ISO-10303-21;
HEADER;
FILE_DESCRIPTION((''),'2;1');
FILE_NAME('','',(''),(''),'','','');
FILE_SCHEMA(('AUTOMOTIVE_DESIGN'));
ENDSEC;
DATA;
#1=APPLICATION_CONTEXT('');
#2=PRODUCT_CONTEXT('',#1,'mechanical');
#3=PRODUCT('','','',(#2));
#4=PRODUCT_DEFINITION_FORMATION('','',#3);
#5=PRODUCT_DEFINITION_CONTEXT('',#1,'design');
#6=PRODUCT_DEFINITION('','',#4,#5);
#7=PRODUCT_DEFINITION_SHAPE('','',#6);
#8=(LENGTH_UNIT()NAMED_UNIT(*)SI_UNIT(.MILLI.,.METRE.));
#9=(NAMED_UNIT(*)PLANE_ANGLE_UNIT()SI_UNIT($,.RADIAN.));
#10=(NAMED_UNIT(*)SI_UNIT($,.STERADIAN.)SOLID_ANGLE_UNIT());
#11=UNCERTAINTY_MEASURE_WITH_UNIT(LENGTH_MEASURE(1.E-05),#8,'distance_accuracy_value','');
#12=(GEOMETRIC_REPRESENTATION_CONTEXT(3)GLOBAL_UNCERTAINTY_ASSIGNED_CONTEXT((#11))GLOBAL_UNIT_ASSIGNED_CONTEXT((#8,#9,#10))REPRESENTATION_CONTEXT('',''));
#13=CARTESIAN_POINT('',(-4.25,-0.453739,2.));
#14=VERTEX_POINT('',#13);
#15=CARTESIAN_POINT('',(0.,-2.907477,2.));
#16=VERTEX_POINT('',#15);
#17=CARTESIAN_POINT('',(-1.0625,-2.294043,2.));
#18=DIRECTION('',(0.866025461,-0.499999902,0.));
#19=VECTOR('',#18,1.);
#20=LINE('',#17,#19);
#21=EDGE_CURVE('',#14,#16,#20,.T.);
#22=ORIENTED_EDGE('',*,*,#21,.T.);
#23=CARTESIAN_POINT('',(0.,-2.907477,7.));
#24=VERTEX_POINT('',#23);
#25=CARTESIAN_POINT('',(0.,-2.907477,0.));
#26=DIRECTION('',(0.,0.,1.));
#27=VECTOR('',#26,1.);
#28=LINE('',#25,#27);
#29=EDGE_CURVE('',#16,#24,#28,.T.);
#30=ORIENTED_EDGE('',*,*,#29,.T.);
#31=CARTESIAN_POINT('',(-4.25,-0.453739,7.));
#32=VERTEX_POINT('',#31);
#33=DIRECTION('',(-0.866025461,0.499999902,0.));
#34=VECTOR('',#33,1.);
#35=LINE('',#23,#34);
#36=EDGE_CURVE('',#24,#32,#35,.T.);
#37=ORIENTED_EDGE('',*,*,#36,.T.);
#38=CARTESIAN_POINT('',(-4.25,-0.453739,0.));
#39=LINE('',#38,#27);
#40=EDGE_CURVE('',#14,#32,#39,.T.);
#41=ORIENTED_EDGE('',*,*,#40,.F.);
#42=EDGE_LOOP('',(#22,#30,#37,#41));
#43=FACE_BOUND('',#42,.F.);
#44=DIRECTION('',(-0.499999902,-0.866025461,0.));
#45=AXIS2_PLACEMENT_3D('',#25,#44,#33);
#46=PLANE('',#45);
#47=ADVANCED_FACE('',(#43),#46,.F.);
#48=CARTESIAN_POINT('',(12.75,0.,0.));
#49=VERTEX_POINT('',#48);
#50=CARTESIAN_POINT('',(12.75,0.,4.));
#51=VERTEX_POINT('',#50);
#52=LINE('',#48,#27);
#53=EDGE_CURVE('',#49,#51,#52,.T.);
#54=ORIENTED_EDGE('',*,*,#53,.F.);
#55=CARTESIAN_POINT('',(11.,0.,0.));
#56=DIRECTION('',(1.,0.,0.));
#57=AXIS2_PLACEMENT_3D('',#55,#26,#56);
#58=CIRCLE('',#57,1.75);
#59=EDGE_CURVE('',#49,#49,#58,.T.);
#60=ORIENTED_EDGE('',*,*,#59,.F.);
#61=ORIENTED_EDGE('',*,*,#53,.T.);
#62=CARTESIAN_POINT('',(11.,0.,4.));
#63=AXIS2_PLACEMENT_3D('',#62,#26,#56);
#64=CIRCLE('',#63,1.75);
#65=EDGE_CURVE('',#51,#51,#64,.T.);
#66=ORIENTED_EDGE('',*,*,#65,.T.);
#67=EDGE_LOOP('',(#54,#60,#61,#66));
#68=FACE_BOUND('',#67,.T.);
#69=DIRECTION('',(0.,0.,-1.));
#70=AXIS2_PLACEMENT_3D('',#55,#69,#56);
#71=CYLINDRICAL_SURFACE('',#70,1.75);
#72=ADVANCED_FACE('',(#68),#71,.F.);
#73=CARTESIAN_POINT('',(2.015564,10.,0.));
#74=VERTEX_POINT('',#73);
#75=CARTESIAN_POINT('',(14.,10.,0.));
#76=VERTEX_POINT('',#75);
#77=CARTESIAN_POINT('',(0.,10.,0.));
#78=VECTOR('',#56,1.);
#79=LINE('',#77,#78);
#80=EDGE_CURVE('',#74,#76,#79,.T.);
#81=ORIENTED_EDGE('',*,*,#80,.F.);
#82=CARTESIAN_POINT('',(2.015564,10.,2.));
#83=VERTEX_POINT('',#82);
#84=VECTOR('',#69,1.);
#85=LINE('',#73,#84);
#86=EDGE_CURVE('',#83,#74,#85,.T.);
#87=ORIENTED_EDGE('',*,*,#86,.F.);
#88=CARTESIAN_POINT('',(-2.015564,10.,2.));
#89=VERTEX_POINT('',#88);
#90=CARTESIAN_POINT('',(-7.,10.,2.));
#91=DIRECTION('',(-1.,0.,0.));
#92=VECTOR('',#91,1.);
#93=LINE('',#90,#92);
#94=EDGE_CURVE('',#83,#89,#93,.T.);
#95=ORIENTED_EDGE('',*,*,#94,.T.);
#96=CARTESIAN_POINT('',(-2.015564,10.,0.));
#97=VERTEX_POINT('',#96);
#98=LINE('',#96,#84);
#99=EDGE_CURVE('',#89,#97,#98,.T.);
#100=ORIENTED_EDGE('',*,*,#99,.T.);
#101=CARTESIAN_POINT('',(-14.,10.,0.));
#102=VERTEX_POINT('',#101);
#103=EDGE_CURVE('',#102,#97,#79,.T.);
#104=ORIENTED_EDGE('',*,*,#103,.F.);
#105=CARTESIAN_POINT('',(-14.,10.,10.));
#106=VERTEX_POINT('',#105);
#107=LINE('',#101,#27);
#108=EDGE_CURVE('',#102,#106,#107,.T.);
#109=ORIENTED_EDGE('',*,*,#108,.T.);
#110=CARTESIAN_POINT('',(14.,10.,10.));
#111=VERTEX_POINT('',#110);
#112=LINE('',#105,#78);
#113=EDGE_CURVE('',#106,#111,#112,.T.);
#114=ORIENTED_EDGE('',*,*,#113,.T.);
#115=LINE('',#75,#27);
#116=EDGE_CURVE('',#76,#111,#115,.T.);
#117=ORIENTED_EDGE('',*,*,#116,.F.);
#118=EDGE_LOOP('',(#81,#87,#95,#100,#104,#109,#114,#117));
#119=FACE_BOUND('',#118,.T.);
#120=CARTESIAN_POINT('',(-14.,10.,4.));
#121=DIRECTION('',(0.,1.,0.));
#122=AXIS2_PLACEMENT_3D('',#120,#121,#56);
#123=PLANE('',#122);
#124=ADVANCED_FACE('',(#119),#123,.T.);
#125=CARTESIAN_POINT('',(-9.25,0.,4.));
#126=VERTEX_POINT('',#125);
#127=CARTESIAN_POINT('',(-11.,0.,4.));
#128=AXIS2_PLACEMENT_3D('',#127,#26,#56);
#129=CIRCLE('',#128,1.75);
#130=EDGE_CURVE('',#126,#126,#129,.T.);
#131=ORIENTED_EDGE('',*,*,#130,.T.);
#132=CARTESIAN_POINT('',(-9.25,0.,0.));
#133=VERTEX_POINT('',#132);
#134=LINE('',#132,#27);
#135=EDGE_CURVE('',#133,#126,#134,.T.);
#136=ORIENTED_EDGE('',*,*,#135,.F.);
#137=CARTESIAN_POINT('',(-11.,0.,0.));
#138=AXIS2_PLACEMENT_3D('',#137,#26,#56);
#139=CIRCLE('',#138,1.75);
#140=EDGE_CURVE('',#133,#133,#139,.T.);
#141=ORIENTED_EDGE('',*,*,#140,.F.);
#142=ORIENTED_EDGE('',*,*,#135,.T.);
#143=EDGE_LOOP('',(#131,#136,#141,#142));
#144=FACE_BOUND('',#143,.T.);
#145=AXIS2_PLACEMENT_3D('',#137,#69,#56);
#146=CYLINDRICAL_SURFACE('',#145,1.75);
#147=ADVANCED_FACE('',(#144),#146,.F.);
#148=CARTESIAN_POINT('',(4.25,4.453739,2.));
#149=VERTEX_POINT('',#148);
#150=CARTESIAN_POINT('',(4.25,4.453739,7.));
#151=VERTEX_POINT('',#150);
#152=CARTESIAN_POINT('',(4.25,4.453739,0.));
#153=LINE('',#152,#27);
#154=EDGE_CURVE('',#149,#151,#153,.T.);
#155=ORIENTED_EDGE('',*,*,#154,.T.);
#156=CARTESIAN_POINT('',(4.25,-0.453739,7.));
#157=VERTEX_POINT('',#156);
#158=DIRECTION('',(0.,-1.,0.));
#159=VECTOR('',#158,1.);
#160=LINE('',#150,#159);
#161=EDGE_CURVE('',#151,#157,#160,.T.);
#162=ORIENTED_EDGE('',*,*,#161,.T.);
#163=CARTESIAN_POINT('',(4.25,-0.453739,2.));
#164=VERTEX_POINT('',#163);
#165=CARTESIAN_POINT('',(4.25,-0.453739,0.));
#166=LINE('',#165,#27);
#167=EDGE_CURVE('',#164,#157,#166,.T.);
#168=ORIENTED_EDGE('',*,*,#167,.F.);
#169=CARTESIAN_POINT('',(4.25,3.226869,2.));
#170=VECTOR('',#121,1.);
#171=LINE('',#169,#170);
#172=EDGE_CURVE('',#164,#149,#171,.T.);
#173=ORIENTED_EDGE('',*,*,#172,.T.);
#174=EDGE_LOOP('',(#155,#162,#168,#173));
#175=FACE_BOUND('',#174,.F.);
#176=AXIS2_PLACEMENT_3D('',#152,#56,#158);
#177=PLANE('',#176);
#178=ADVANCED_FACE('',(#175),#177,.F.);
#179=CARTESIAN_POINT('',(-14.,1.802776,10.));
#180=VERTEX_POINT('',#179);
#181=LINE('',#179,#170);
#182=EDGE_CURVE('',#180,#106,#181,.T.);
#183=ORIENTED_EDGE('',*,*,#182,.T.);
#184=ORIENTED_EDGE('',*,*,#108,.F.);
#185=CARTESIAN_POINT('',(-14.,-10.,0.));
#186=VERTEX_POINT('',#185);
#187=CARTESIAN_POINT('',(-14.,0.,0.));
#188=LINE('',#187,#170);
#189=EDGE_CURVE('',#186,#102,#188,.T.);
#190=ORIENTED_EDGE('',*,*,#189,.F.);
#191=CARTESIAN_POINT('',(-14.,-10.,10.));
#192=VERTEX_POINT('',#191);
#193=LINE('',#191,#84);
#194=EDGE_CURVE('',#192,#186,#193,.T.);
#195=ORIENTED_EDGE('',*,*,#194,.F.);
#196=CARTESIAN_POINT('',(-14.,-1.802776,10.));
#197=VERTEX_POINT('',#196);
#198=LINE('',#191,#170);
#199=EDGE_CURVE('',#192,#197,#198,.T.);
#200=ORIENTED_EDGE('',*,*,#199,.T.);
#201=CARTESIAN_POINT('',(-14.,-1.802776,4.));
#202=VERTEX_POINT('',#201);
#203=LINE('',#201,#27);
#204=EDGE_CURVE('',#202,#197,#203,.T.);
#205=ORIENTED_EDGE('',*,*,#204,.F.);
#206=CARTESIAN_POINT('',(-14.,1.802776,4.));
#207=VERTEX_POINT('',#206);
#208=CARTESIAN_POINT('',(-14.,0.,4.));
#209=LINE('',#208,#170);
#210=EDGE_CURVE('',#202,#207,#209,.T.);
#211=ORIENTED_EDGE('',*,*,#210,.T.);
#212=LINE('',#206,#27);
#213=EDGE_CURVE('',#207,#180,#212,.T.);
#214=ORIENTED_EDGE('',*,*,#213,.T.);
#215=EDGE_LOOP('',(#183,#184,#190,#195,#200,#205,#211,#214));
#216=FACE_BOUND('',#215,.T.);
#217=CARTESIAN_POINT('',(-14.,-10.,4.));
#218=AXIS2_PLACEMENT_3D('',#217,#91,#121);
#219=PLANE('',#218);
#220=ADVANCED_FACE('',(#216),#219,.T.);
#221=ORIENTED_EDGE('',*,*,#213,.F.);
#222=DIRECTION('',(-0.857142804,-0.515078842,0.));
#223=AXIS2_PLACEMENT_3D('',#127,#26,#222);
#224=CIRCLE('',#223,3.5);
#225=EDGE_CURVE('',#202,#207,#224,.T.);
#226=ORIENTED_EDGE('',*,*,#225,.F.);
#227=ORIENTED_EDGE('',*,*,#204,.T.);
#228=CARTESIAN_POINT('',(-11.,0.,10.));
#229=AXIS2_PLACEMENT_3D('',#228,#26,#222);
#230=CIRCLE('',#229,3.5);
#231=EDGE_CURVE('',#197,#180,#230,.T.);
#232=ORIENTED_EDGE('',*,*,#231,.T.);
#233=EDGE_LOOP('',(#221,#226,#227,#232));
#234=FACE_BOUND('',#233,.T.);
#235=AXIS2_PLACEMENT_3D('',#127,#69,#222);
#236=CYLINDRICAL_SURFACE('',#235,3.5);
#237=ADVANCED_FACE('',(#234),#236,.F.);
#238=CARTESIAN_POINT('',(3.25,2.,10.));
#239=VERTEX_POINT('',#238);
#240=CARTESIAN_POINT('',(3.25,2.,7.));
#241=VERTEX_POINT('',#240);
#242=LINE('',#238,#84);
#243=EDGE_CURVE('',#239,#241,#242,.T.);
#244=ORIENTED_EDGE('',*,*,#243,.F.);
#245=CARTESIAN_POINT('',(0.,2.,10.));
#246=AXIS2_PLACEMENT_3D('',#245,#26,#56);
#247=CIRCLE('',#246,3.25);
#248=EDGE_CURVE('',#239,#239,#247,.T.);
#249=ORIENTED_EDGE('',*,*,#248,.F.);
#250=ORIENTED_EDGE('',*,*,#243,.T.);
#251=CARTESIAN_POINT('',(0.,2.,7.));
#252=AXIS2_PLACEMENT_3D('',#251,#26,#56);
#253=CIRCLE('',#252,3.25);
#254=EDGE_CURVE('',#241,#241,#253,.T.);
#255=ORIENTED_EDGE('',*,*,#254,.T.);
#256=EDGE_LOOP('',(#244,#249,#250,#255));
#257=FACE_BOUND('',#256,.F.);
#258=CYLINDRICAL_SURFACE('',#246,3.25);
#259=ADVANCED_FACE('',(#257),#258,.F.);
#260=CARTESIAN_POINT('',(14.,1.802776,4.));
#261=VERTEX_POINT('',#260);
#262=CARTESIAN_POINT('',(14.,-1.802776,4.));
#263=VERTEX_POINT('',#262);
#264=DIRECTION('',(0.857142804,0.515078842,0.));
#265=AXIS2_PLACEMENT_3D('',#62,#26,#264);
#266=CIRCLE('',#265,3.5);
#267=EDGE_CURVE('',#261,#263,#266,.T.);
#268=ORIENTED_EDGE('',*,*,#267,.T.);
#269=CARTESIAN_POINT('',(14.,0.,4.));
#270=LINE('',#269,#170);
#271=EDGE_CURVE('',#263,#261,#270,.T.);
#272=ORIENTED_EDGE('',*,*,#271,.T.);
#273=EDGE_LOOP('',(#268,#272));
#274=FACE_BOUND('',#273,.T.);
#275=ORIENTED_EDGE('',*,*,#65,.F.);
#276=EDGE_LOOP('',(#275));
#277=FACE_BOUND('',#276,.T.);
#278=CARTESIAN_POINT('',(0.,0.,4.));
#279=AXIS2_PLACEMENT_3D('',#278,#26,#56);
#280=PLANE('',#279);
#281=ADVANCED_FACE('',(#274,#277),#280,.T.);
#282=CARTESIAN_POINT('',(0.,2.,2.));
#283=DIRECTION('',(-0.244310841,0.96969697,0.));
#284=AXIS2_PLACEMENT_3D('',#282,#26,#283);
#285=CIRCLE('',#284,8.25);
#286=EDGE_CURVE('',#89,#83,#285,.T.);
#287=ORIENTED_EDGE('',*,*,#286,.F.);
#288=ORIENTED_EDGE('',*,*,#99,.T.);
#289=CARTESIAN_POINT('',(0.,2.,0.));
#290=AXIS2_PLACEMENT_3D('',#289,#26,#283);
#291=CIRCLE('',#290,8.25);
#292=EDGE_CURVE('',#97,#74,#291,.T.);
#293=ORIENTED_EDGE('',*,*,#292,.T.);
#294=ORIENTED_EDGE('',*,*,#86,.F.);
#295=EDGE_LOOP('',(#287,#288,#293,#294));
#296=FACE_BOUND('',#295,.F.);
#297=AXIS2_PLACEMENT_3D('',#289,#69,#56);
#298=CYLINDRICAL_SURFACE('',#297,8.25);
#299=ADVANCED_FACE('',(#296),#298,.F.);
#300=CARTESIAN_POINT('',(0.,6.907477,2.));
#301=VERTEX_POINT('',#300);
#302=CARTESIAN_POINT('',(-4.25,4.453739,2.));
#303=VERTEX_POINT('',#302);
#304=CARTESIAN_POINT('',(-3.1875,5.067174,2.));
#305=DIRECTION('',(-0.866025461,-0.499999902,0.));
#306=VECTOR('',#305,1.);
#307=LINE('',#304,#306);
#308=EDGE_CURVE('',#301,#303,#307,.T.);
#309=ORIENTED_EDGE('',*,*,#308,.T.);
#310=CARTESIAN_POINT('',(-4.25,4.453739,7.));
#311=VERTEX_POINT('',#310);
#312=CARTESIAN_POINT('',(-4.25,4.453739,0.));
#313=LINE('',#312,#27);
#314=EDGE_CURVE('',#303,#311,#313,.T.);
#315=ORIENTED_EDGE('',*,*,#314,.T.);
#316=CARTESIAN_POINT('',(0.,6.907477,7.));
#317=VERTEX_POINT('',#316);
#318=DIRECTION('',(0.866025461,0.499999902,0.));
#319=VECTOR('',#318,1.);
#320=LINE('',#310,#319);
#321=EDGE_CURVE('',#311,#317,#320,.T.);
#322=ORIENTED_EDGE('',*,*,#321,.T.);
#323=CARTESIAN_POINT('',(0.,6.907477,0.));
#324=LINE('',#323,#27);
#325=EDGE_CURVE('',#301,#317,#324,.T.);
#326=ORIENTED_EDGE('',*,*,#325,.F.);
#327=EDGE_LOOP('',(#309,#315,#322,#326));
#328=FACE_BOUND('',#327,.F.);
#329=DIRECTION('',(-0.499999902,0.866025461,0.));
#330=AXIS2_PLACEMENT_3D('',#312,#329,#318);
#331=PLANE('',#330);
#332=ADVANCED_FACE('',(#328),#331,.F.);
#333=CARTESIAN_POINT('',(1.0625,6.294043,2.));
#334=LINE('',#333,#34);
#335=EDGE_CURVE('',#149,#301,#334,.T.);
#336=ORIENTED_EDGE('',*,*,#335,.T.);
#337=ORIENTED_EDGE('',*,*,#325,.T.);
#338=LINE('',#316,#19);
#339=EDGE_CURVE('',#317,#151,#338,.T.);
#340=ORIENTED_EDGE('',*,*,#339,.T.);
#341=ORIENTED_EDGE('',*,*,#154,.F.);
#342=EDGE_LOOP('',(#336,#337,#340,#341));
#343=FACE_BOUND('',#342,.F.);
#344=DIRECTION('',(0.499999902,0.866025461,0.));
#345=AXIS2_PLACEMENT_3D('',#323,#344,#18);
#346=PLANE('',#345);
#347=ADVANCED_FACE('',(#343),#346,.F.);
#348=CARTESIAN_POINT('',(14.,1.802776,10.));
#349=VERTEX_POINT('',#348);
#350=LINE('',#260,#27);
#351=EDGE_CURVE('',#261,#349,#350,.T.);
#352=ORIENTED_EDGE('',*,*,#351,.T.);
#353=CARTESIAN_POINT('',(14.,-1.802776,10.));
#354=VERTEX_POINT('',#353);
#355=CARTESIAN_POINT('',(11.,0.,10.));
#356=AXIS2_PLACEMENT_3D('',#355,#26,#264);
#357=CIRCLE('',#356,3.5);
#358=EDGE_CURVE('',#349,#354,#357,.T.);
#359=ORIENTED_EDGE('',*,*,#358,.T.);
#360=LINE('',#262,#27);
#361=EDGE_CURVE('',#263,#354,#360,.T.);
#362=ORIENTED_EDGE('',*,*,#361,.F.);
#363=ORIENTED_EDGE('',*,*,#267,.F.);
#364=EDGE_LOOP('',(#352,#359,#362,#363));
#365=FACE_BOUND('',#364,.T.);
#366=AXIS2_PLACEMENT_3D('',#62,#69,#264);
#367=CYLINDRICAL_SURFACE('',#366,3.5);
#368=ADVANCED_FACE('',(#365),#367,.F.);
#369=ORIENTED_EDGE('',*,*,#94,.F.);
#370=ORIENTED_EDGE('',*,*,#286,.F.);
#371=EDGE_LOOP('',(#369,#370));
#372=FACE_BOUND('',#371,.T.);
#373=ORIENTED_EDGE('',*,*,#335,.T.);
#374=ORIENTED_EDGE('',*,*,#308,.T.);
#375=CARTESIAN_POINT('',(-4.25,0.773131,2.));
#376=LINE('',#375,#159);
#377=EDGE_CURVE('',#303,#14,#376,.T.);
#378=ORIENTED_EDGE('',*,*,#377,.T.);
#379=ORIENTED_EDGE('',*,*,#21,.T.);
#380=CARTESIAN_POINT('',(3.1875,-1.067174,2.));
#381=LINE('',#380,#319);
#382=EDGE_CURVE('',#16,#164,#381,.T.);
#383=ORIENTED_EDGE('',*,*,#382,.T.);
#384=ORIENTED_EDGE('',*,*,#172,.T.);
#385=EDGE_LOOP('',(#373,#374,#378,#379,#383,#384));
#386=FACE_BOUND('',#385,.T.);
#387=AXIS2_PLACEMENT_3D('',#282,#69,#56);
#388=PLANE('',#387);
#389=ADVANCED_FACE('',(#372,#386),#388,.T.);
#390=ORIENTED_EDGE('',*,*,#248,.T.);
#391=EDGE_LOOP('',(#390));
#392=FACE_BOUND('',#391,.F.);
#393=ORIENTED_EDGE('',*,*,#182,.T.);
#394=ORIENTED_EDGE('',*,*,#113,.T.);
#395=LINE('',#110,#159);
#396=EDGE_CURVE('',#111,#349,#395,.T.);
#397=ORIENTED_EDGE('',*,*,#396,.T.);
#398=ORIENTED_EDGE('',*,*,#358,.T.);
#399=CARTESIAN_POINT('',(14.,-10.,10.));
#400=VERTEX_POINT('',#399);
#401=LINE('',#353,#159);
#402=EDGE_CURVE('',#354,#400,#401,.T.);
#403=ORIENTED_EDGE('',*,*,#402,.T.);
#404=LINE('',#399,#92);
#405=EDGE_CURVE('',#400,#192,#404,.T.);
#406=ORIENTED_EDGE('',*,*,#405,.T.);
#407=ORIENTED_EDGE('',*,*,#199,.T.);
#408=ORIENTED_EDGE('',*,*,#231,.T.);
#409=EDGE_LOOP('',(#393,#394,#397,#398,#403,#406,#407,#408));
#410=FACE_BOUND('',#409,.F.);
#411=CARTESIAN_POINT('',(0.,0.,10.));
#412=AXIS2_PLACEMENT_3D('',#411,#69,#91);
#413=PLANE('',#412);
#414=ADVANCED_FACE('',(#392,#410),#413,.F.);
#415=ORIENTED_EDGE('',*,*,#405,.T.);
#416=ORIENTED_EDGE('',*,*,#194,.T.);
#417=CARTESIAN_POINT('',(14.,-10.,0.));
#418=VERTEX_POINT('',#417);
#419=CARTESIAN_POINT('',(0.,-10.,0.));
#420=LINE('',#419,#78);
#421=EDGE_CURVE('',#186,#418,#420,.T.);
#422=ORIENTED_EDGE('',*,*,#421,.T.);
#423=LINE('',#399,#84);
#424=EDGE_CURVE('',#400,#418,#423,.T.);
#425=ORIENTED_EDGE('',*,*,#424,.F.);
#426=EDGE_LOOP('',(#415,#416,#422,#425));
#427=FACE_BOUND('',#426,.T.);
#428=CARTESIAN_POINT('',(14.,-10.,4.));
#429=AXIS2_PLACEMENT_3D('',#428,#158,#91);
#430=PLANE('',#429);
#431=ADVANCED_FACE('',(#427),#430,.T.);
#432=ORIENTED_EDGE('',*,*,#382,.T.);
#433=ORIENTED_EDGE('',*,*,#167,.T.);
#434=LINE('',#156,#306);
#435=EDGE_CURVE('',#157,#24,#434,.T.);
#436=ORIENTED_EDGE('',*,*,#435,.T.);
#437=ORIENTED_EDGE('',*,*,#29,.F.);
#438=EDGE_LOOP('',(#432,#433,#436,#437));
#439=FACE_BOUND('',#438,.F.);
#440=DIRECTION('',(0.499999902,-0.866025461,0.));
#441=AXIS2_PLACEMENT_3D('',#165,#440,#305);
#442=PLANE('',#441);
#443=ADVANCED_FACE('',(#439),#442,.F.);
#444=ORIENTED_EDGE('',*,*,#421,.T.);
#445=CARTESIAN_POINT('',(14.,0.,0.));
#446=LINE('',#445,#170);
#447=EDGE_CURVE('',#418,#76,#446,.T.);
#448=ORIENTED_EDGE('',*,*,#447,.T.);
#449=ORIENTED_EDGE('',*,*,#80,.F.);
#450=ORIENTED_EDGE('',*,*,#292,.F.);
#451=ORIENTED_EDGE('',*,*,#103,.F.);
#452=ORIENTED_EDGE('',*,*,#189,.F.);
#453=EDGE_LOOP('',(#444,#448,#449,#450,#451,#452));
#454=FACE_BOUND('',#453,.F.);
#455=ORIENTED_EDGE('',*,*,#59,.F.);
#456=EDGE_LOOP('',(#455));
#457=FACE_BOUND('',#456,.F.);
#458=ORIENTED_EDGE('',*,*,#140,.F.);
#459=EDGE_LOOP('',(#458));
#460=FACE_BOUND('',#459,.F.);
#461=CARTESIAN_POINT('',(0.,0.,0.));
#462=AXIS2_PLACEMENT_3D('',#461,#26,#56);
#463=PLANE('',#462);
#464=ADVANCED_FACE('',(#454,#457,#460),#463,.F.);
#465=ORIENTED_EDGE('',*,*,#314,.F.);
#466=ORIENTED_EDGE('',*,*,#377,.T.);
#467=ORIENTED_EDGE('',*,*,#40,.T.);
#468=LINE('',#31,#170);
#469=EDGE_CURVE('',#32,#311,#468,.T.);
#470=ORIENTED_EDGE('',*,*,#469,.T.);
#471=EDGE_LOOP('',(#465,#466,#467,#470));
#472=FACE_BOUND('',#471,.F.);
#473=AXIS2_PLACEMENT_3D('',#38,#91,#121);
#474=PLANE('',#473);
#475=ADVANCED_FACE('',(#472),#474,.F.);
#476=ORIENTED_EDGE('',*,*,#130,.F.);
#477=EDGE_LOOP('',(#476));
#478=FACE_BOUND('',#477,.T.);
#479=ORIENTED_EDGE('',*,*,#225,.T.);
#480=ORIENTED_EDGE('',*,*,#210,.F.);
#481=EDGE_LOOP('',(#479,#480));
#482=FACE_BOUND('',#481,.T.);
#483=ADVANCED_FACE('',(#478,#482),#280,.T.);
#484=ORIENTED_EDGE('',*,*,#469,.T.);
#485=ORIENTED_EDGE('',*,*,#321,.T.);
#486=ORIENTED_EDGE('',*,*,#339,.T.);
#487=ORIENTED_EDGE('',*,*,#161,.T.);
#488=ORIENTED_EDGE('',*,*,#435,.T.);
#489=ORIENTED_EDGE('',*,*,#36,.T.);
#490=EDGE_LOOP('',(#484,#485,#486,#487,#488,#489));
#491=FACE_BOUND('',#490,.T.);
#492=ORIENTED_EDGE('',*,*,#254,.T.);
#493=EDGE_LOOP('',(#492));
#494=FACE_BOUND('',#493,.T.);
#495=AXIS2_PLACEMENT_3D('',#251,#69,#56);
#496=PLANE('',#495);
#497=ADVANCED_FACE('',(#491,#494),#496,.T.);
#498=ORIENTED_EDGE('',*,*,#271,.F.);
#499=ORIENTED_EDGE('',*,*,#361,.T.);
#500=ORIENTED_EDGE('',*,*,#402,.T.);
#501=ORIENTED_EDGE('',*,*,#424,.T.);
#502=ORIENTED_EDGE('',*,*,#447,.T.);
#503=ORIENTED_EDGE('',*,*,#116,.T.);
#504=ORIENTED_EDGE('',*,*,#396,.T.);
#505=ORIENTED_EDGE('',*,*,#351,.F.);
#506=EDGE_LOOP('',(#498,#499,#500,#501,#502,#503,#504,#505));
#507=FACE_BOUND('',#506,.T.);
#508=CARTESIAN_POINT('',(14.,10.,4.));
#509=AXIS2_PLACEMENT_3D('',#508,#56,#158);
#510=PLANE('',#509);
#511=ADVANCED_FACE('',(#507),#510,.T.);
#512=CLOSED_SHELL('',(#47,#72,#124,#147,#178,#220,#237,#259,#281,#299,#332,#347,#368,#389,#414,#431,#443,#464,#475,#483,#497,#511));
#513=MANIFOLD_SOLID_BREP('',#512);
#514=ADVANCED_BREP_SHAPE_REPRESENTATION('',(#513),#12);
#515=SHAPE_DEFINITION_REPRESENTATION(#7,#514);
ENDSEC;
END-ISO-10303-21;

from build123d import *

# Parameters (mm, degrees)
SKETCH_W        = 28
SKETCH_H        = 20
SKETCH_R        = 1.75
PAD_DEPTH       = 4
PAD001_DEPTH    = 6
SKETCH002_R     = 3.25
POCKET_DEPTH    = 10
POCKET001_DEPTH = 7
SKETCH004_R     = 8.25
POCKET002_DEPTH = 2


with BuildPart() as part:
    # Sketch → Pad (new body)
    with BuildSketch(Plane.XY):
        Rectangle(SKETCH_W, SKETCH_H)
        with Locations((-11, 0)):
            Circle(SKETCH_R, mode=Mode.SUBTRACT)
        with Locations((11, 0)):
            Circle(SKETCH_R, mode=Mode.SUBTRACT)
    extrude(amount=PAD_DEPTH)

    # Sketch001 (on Face8 of Pad) → Pad001 (join)
    with BuildSketch(Plane.XY.offset(4)):
        with BuildLine():
            ThreePointArc((14, 1.802776), (7.5, 0), (14, -1.802776))
            Line((14, -1.802776), (14, -10))
            Line((14, -10), (-14, -10))
            Line((-14, -10), (-14, -1.802776))
            ThreePointArc((-14, -1.802776), (-7.5, 0), (-14, 1.802776))
            Line((-14, 1.802776), (-14, 10))
            Line((-14, 10), (14, 10))
            Line((14, 10), (14, 1.802776))
        make_face()
    extrude(amount=PAD001_DEPTH)

    # Sketch002 (on Face15 of Pad001) → Pocket (cut)
    with BuildSketch(Plane.XY.offset(10)):
        with Locations((0, 2)):
            Circle(SKETCH002_R)
    extrude(amount=-POCKET_DEPTH, mode=Mode.SUBTRACT)

    # Sketch003 (on Face4 of Pocket) → Pocket001 (cut)
    with BuildSketch(Plane(origin=(0, 0, 0), x_dir=(1, 0, 0), z_dir=(0, 0, -1))):
        Polygon((4.25, -4.453739), (4.25, 0.453739), (0, 2.907477), (-4.25, 0.453739), (-4.25, -4.453739), (0, -6.907477), align=None)
    extrude(amount=-POCKET001_DEPTH, mode=Mode.SUBTRACT)

    # Sketch004 (on Face4 of Pocket001) → Pocket002 (cut)
    with BuildSketch(Plane(origin=(0, 0, 0), x_dir=(1, 0, 0), z_dir=(0, 0, -1))):
        with Locations((0, -2)):
            Circle(SKETCH004_R)
    extrude(amount=-POCKET002_DEPTH, mode=Mode.SUBTRACT)


solid = part.part
